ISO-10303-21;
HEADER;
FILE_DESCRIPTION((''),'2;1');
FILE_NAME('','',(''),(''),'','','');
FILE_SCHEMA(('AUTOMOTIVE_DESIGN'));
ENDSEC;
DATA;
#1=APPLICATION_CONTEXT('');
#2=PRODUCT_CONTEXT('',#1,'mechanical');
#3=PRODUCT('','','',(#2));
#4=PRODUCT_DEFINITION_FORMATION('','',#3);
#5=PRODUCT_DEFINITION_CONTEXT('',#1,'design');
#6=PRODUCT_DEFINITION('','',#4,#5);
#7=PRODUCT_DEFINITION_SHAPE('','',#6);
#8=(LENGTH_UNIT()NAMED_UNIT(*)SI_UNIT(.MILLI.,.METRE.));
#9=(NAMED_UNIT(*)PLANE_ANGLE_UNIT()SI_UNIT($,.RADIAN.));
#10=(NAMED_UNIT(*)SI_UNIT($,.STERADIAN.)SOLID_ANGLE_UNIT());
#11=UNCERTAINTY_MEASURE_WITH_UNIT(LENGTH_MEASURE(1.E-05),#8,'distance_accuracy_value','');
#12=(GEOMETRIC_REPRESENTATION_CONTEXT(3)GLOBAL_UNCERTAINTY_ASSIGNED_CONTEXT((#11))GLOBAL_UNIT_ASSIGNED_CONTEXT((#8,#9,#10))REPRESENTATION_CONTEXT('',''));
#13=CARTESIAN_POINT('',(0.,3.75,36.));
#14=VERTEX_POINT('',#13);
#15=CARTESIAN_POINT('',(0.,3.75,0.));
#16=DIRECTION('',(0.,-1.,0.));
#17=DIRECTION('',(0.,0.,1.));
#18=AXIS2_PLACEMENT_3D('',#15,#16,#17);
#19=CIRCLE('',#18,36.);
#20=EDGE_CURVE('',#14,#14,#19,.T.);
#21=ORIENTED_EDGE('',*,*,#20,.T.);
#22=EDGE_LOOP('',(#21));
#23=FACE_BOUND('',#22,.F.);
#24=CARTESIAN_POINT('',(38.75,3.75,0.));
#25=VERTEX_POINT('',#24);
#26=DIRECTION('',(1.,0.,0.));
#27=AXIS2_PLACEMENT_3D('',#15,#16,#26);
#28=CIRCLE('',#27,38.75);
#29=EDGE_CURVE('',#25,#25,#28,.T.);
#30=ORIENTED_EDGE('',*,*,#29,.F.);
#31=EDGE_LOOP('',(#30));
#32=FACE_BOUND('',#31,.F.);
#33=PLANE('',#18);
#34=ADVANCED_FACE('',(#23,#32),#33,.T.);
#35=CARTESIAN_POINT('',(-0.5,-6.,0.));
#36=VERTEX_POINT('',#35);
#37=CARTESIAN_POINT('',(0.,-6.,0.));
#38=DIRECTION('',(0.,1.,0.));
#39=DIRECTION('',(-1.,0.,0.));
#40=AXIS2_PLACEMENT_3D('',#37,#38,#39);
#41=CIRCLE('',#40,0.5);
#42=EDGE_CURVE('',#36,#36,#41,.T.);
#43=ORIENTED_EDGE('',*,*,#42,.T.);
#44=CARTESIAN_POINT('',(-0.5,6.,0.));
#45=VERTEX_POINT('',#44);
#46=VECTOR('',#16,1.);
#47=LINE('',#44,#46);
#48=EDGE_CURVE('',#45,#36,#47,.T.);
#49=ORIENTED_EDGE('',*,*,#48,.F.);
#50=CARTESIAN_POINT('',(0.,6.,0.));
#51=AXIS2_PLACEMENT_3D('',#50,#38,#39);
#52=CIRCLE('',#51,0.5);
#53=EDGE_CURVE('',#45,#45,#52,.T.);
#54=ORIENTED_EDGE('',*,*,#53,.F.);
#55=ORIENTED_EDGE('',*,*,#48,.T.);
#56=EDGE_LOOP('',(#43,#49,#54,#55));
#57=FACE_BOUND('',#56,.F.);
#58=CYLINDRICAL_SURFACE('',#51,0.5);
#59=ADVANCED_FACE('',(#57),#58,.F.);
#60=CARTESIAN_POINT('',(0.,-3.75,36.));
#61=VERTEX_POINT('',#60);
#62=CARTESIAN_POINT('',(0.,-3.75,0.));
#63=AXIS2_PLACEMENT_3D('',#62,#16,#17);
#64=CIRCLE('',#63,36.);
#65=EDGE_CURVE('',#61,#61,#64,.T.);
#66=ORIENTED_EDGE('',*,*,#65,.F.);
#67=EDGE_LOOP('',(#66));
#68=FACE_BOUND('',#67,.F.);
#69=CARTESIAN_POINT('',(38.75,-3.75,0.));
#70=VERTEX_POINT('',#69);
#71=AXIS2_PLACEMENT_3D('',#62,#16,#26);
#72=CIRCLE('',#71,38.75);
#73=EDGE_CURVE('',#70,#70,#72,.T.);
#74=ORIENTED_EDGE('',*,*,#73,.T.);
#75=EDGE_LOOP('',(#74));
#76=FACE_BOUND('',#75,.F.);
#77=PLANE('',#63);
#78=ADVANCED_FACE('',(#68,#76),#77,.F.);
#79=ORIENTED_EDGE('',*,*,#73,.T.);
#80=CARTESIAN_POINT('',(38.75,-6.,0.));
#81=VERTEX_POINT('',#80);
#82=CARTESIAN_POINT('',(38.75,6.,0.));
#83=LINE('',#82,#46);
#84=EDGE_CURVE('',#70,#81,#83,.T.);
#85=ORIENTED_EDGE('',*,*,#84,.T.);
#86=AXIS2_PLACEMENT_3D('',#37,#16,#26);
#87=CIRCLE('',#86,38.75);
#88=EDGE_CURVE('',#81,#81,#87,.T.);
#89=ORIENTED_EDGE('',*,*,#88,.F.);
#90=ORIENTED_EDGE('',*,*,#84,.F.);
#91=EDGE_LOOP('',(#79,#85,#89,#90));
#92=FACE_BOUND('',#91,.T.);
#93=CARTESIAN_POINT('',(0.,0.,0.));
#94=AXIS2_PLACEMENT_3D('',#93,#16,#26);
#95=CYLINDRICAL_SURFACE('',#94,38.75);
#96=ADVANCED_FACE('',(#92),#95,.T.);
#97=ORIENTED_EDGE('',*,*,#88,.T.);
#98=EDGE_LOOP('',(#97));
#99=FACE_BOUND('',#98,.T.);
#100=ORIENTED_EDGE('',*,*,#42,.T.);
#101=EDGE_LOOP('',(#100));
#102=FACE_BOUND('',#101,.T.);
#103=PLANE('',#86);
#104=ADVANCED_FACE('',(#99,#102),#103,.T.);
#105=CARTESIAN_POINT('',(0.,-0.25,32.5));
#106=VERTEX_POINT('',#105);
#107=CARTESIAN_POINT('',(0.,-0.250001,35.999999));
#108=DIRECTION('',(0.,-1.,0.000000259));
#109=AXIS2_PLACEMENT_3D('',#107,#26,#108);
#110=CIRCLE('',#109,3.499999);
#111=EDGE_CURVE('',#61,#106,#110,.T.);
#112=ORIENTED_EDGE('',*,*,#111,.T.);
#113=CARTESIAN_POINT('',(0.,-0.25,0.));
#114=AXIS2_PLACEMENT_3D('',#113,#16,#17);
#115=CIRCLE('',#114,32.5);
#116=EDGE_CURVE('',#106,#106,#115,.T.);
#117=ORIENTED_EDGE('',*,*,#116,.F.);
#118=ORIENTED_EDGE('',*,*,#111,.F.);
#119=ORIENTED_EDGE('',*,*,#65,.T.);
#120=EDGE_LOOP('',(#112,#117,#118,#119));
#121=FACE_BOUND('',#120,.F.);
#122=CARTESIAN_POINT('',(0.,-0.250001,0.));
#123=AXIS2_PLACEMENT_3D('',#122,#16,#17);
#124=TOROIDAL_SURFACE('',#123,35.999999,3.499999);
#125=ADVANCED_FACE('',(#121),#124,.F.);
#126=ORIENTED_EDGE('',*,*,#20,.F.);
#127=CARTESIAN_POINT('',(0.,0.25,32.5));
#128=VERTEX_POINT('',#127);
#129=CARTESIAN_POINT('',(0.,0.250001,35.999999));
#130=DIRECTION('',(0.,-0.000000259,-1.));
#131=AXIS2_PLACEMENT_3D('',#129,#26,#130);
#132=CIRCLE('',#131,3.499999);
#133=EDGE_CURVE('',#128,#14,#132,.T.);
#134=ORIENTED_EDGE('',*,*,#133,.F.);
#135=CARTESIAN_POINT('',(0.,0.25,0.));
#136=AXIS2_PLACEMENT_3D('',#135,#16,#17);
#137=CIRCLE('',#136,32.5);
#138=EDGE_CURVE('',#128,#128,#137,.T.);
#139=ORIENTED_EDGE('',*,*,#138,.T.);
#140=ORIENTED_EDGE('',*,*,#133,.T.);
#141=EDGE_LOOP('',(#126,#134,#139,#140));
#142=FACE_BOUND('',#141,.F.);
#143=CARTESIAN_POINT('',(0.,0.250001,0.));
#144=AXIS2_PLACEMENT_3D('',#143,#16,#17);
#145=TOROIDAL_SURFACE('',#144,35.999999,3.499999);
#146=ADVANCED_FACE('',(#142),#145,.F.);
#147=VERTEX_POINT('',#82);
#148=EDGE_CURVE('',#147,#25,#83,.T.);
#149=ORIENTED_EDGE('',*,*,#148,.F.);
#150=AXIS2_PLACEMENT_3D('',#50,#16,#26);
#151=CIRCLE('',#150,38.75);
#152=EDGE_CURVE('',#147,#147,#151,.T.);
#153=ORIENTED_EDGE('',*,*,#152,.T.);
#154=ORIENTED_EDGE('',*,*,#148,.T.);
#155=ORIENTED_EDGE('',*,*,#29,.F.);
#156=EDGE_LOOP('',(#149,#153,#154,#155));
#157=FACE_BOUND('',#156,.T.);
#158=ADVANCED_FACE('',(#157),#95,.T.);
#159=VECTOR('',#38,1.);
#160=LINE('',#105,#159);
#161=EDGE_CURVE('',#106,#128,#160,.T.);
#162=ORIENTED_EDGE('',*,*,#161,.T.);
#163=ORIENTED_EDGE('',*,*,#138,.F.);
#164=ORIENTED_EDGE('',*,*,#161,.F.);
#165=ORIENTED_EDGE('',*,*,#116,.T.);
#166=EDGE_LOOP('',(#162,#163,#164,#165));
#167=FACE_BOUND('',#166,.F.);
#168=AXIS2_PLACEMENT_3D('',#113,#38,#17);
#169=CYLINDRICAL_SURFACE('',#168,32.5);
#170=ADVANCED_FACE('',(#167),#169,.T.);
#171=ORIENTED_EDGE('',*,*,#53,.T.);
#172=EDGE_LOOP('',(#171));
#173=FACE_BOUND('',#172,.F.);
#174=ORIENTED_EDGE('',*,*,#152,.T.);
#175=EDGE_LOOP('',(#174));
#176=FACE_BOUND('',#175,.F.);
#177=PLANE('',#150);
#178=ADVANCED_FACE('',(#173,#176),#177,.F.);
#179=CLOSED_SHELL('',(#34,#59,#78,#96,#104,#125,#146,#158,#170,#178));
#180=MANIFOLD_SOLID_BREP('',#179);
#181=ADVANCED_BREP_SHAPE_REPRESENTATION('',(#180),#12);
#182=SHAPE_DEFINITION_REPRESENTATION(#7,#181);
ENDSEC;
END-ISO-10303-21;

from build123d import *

# Parameters (mm, degrees)
F0_R     = 38.75
F1_DEPTH = 6
F5_R     = 0.5
F6_DEPTH = 12.001


with BuildPart() as f1:
    # F0 (on Front) → F1 (new body, symmetric)
    with BuildSketch(Plane.XZ):
        Circle(F0_R)
    extrude(amount=F1_DEPTH, both=True)

    # F2 (on Right) → F4 (revolve, cut)
    with BuildSketch(Plane.YZ):
        with BuildLine():
            Line((3.75, 36), (3.75, 40))
            Line((3.75, 40), (-3.75, 40))
            Line((-3.75, 40), (-3.75, 36))
            ThreePointArc((-3.75, 36), (-2.724874, 33.525126), (-0.25, 32.5))
            Line((-0.25, 32.5), (0.25, 32.5))
            ThreePointArc((0.25, 32.5), (2.724874, 33.525126), (3.75, 36))
        make_face()
    revolve(axis=Axis((0, -2.011297, 0), (0, -1, 0)), mode=Mode.SUBTRACT)

    # F5 (on face) → F6 (cut, through all)
    with BuildSketch(Plane(origin=(0, 6, 0), x_dir=(-1, 0, 0), z_dir=(0, 1, 0))):
        Circle(F5_R)
    extrude(amount=-F6_DEPTH, mode=Mode.SUBTRACT)


solid = f1.part
